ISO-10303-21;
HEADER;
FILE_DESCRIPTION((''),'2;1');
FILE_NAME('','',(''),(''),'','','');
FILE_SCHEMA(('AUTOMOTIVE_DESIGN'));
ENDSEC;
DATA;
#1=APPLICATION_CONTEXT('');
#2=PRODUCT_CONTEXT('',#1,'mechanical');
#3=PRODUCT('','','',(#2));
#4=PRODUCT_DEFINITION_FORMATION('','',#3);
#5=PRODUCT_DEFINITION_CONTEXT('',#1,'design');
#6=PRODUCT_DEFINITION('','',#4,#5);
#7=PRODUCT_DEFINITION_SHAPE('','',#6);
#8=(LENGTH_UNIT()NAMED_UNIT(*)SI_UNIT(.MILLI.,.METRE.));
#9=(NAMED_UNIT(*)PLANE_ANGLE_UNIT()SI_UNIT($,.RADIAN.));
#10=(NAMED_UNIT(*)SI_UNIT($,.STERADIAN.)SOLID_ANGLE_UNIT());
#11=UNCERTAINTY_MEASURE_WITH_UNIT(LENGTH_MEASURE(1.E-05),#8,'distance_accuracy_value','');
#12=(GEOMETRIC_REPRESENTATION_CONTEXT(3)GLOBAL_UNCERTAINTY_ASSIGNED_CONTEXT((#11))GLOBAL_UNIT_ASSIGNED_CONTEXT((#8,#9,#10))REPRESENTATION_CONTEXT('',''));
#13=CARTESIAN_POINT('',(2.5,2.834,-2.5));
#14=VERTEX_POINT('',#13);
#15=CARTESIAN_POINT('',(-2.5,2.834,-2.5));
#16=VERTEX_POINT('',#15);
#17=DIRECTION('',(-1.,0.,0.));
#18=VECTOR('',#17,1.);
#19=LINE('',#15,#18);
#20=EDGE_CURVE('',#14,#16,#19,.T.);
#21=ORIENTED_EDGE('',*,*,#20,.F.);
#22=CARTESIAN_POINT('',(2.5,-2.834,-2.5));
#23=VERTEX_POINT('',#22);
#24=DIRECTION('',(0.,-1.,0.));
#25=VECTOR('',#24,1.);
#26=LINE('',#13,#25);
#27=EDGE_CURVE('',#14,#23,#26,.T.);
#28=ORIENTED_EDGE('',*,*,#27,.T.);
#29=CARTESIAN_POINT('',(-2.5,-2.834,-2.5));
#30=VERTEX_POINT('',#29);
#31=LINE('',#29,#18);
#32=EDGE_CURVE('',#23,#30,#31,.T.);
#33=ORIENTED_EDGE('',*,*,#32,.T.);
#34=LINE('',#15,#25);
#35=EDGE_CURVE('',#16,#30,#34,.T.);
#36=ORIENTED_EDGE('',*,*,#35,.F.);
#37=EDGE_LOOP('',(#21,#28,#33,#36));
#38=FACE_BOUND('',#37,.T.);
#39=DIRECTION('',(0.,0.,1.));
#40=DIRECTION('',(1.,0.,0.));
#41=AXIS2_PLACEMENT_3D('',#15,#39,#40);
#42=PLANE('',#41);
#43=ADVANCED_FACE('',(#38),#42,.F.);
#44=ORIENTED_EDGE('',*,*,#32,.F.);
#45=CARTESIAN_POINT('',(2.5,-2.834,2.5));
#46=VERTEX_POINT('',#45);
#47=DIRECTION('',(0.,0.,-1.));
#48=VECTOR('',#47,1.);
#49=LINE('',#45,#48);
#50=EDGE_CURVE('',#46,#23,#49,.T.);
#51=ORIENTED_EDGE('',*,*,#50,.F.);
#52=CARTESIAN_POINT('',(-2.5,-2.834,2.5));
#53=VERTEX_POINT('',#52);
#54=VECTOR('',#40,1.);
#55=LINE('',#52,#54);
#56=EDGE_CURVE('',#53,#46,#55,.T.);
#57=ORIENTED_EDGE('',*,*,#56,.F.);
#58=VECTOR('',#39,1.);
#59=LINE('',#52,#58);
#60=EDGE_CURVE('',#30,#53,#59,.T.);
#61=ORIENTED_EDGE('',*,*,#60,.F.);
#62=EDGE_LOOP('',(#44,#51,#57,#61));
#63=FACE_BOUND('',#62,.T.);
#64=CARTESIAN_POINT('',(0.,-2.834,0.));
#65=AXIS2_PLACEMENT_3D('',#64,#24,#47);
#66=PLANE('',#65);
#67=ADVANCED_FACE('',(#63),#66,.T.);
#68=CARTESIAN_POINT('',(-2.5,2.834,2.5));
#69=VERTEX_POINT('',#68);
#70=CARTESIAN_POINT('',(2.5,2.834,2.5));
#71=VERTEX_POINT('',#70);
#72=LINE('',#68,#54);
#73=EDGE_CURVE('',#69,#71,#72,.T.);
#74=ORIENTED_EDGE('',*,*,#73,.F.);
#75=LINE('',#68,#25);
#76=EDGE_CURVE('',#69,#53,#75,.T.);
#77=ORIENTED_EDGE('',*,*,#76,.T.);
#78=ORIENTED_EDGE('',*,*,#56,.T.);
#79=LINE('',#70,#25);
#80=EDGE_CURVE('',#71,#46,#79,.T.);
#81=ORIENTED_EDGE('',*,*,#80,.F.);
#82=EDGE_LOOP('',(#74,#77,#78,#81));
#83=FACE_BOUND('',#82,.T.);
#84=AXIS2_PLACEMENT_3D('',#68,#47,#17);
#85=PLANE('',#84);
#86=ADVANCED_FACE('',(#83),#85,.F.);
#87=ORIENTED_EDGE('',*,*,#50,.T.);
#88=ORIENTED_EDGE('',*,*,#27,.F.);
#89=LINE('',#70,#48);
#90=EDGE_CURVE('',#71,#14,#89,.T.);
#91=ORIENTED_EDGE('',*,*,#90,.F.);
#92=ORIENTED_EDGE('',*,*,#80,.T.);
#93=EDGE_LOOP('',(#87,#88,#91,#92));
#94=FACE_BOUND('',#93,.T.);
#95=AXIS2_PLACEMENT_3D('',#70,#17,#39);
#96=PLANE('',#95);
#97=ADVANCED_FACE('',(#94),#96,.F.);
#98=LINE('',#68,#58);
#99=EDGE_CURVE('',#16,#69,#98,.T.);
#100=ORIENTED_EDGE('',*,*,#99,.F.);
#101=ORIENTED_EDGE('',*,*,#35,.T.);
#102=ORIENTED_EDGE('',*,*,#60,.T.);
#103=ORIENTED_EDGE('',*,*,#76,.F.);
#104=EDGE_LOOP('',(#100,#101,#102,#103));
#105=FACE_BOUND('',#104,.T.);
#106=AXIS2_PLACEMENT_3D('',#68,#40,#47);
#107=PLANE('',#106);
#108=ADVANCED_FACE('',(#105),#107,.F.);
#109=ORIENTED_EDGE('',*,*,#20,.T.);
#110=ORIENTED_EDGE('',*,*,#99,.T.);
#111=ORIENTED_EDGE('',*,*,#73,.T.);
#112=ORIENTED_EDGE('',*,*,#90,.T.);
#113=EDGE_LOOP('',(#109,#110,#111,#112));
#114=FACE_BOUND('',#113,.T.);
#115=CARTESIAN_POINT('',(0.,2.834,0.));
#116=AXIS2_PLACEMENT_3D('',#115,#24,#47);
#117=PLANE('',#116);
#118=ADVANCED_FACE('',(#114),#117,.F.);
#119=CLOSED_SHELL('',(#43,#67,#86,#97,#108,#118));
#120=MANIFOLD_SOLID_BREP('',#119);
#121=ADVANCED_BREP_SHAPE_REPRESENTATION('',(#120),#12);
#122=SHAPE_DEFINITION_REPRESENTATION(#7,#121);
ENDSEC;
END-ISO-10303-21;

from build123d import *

# Parameters (mm, degrees)
SKETCH_1_W      = 5
SKETCH_1_H      = 5
EXTRUDE_1_DEPTH = 2.834


with BuildPart() as part:
    # 草图1 → 凸台-拉伸1 (new, symmetric)
    with BuildSketch(Plane(origin=(0, 0, 0), x_dir=(1, 0, 0), z_dir=(0, 1, 0))):
        Rectangle(SKETCH_1_W, SKETCH_1_H)
    extrude(amount=EXTRUDE_1_DEPTH, both=True)


solid = part.part
